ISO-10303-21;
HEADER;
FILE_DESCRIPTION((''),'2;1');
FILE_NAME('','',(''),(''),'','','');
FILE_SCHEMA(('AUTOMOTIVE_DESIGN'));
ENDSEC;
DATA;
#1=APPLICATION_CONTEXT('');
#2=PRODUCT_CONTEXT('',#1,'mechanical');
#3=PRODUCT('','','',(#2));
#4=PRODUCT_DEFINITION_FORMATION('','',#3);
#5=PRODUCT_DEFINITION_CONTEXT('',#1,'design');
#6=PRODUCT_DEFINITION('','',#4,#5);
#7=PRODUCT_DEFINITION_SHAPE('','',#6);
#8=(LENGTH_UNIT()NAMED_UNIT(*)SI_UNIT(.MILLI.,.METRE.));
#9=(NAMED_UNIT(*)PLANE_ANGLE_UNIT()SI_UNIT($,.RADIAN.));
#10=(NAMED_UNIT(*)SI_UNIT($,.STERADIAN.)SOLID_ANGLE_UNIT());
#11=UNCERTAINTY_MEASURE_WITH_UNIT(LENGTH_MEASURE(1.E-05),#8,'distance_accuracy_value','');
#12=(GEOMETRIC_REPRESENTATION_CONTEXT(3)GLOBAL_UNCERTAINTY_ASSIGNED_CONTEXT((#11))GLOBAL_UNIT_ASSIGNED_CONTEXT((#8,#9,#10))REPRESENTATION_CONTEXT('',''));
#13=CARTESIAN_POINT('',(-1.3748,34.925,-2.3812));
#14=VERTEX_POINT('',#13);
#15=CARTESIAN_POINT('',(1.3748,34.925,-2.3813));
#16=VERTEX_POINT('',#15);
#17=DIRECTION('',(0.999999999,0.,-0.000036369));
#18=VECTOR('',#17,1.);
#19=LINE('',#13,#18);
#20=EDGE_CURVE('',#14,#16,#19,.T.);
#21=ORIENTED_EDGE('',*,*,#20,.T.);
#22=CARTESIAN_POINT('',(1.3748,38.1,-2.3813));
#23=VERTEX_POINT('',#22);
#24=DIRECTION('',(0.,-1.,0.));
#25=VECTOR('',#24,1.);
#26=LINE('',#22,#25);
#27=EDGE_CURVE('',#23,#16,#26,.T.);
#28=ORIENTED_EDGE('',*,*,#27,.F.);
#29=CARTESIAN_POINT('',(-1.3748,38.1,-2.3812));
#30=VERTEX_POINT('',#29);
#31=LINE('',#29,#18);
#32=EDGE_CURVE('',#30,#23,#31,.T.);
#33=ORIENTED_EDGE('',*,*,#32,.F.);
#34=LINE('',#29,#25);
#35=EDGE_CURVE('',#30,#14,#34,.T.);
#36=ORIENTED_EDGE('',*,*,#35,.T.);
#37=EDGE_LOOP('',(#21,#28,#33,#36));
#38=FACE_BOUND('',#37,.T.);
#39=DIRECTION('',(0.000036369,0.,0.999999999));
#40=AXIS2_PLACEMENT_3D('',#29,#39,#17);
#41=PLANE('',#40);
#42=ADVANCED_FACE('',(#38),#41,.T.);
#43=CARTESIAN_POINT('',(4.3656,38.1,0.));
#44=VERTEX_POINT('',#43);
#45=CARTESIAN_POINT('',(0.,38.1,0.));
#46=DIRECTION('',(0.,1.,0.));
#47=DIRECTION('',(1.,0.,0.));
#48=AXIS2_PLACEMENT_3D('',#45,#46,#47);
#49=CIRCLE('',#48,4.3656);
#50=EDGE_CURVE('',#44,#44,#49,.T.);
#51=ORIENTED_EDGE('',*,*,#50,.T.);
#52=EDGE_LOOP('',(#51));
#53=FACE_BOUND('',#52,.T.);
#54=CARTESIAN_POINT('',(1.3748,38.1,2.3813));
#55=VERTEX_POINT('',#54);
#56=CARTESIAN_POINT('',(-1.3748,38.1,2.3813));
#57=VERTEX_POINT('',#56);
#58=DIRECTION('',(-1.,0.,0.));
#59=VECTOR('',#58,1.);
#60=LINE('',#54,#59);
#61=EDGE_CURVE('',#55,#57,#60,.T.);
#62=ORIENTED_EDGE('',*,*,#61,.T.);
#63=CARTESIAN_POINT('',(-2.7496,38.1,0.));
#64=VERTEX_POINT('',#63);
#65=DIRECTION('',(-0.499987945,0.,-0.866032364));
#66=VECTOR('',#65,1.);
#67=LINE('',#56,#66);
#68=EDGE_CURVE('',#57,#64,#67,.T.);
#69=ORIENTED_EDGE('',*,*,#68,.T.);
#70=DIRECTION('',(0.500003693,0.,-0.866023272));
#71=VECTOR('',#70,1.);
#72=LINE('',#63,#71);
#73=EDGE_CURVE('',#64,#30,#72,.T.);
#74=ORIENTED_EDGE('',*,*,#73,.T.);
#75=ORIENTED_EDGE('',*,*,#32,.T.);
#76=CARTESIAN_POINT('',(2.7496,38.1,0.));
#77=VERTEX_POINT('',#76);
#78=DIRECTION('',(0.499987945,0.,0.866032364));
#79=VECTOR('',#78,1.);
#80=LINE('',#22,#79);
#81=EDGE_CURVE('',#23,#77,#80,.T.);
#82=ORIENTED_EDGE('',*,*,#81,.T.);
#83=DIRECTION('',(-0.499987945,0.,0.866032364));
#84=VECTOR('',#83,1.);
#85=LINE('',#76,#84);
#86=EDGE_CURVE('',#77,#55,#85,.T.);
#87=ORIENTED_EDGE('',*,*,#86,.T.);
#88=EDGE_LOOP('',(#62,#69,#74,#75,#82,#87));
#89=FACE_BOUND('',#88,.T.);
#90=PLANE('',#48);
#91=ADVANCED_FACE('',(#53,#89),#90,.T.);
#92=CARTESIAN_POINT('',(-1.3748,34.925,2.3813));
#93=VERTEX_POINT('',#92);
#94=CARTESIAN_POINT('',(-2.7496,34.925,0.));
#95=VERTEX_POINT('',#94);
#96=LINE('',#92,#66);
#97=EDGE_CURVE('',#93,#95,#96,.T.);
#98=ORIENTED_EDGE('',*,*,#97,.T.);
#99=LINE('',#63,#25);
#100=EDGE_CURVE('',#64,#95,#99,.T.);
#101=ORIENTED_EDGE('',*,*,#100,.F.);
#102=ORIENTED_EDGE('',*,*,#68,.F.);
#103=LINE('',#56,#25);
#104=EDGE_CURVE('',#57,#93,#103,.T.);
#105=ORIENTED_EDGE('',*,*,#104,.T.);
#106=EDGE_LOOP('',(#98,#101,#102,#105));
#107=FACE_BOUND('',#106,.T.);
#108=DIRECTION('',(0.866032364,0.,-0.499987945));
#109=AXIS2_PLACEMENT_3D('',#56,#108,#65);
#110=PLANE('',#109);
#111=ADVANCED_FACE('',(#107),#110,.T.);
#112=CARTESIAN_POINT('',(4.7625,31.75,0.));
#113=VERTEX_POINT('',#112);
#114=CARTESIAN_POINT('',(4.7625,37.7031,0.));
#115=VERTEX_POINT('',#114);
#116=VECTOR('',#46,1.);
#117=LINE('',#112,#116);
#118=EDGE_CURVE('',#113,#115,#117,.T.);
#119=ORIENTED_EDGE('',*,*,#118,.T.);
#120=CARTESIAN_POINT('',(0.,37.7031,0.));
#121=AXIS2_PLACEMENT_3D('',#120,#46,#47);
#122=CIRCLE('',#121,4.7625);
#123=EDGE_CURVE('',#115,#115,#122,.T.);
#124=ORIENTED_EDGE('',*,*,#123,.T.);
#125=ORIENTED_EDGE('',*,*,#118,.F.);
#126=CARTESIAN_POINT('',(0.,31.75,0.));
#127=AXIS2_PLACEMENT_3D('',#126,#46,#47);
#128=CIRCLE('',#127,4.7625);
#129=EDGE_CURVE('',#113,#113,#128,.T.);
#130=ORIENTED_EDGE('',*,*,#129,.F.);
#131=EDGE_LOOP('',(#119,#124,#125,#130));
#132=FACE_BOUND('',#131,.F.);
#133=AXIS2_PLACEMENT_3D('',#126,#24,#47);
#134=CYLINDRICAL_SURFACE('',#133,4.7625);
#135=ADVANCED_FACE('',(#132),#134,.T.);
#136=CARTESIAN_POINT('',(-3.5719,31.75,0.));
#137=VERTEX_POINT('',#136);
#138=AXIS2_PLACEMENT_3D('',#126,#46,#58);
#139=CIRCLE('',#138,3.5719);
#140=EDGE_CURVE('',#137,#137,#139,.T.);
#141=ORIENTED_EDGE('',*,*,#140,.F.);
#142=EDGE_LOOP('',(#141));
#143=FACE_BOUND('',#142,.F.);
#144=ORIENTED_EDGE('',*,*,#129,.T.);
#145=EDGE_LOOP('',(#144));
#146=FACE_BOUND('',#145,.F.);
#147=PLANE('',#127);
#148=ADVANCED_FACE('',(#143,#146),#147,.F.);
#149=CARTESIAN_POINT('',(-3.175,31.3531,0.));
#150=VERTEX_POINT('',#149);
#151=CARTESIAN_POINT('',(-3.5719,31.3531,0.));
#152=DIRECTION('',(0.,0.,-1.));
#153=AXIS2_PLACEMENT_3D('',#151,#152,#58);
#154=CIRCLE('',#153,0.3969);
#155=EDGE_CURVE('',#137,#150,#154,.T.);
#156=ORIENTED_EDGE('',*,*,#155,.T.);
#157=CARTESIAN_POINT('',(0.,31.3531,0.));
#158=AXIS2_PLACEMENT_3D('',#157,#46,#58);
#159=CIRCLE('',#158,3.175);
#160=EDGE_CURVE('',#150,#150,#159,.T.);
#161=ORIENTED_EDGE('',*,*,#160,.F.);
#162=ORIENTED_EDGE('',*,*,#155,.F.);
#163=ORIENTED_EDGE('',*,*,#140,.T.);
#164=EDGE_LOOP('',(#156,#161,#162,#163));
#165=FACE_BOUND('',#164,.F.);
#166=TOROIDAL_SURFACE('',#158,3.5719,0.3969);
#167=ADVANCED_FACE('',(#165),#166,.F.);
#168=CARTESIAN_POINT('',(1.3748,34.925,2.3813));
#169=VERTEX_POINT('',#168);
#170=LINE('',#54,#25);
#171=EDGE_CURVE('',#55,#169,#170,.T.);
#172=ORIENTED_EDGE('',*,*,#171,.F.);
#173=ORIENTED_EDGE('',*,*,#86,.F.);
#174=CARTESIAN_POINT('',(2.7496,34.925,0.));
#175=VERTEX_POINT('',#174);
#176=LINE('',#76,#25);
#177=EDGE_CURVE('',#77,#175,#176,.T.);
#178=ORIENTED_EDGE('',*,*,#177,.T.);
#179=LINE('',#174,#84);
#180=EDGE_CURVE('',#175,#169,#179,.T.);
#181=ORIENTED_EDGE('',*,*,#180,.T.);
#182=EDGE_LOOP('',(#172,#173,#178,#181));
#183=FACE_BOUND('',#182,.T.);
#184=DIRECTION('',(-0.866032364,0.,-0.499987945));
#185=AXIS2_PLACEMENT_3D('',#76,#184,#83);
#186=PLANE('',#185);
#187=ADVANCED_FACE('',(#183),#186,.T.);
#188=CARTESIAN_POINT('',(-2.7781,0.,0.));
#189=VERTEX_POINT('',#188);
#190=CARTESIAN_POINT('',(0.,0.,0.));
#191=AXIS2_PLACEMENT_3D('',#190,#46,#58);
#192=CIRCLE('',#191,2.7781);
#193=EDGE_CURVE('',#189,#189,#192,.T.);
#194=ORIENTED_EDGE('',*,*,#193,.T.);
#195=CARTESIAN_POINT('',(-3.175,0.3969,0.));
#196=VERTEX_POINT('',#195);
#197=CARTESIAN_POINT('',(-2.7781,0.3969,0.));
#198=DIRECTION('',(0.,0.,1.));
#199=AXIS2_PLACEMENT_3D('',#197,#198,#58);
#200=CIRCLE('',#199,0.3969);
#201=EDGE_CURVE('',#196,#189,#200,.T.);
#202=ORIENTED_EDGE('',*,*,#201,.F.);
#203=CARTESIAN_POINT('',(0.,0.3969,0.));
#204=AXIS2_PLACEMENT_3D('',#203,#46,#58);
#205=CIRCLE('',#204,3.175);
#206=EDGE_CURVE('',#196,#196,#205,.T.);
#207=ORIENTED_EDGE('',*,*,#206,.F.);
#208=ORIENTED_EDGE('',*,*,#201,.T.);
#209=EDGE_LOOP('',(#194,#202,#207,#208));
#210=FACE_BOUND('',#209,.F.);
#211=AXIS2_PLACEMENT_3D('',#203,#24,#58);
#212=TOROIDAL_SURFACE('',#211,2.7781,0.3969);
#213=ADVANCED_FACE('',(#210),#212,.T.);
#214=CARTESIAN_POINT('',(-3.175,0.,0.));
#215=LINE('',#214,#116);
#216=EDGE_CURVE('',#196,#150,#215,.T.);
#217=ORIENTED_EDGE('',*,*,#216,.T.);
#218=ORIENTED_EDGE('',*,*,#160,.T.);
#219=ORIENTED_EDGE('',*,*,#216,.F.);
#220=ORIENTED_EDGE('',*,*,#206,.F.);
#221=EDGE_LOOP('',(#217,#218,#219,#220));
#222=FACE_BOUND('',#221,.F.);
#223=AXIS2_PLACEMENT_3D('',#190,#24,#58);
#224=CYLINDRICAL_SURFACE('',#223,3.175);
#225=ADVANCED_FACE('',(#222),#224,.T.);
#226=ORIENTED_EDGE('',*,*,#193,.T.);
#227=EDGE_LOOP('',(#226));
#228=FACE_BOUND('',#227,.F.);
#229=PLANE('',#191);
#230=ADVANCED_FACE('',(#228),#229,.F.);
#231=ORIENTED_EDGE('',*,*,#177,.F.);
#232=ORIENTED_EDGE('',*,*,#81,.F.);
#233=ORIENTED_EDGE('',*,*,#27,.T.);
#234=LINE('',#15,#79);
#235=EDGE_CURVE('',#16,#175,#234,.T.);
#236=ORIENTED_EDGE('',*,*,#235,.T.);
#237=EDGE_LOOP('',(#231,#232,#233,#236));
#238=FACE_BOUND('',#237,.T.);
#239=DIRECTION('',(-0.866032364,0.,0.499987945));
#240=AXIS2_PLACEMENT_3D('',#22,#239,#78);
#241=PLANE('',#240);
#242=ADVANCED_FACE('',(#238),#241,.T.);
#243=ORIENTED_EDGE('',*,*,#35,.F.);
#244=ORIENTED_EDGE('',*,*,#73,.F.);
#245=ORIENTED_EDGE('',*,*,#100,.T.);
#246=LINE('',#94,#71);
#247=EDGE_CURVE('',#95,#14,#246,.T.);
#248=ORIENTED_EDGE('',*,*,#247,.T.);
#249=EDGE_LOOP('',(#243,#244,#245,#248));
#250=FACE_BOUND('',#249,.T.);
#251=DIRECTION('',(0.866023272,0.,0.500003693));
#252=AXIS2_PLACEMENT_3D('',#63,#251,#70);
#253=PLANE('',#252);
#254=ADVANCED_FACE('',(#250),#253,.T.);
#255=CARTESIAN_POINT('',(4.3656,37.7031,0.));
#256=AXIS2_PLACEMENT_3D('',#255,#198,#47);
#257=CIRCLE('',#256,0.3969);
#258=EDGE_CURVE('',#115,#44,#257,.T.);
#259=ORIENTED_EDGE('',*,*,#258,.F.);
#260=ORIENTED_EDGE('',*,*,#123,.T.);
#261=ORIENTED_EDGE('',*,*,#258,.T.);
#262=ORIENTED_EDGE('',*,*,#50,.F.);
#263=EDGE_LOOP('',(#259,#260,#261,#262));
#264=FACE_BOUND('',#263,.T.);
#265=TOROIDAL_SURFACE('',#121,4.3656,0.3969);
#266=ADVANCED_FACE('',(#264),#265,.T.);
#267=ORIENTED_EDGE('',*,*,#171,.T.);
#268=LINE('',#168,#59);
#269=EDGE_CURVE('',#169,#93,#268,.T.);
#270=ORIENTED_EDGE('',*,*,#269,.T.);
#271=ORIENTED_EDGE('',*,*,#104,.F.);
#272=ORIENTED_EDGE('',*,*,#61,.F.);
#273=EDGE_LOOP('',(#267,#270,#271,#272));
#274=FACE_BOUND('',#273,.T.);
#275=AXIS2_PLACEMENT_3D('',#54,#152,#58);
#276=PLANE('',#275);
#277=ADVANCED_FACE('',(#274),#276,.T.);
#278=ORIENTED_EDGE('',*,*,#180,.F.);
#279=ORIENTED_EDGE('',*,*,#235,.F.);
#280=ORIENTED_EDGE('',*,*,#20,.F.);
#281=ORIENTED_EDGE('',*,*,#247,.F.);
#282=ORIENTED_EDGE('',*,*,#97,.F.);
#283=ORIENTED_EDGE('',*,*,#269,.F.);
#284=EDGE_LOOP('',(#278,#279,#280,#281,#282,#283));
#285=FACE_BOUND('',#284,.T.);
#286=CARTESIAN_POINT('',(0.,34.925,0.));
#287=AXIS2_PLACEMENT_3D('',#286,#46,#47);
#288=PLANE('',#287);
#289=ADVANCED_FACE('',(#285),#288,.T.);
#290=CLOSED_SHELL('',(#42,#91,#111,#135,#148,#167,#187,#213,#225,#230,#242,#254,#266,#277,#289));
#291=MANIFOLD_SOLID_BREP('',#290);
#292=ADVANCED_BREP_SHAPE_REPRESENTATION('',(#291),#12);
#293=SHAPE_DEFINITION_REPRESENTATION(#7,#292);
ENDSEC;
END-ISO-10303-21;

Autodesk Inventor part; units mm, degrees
ref_plane "YZ Plane" through (0, 0, 0) normal (1, 0, 0) x (0, 1, 0)
ref_plane "XZ Plane" through (0, 0, 0) normal (0, 1, 0) x (-1, 0, 0)
ref_plane "XY Plane" through (0, 0, 0) normal (0, 0, 1) x (1, 0, 0)
sketch "Sketch1" plane through (0, 0, 0) normal (0, 1, 0) x (-1, 0, 0)
  circle A0 centre (0, 0) radius 3.175
  dimension "d0" = 6.35
extrude "Extrusion1" add sketch "Sketch1" along normal blind 31.75
sketch "Sketch2" plane through (0, 31.75, 0) normal (0, 1, 0) x (1, 0, 0)
  circle A0 centre (0, 0) radius 3.175 projected
  circle A1 centre (0, 0) radius 4.7625
  dimension "d3" = 9.525
extrude "Extrusion2" add sketch "Sketch2" along normal blind 6.35 contours A0 | A1
sketch "Sketch3" plane through (0, 38.1, 0) normal (0, 1, 0) x (1, 0, 0)
  circle A0 centre (0, 0) radius 4.7625 projected
  line L0 (-1.3748, 2.3812) -> (1.3748, 2.3813)
  line L1 (1.3748, 2.3813) -> (2.7496, 0)
  line L2 (2.7496, 0) -> (1.3748, -2.3813)
  line L3 (1.3748, -2.3813) -> (-1.3748, -2.3813)
  line L4 (-1.3748, -2.3813) -> (-2.7496, 0)
  line L5 (-2.7496, 0) -> (-1.3748, 2.3812)
  dimension "d6" = 4.7625
extrude "Extrusion3" cut sketch "Sketch3" against normal blind 3.175 contours L0 L1 L2 L3 L4 L5
fillet "Fillet1" radius 0.3969 3 edges at (3.175, 31.75, 0) (-4.7625, 38.1, 0) (3.175, 0, 0)
properties part number "Bolt_0.25_20_1.25len_SocketHead" material "Stainless Steel, Austenitic"
